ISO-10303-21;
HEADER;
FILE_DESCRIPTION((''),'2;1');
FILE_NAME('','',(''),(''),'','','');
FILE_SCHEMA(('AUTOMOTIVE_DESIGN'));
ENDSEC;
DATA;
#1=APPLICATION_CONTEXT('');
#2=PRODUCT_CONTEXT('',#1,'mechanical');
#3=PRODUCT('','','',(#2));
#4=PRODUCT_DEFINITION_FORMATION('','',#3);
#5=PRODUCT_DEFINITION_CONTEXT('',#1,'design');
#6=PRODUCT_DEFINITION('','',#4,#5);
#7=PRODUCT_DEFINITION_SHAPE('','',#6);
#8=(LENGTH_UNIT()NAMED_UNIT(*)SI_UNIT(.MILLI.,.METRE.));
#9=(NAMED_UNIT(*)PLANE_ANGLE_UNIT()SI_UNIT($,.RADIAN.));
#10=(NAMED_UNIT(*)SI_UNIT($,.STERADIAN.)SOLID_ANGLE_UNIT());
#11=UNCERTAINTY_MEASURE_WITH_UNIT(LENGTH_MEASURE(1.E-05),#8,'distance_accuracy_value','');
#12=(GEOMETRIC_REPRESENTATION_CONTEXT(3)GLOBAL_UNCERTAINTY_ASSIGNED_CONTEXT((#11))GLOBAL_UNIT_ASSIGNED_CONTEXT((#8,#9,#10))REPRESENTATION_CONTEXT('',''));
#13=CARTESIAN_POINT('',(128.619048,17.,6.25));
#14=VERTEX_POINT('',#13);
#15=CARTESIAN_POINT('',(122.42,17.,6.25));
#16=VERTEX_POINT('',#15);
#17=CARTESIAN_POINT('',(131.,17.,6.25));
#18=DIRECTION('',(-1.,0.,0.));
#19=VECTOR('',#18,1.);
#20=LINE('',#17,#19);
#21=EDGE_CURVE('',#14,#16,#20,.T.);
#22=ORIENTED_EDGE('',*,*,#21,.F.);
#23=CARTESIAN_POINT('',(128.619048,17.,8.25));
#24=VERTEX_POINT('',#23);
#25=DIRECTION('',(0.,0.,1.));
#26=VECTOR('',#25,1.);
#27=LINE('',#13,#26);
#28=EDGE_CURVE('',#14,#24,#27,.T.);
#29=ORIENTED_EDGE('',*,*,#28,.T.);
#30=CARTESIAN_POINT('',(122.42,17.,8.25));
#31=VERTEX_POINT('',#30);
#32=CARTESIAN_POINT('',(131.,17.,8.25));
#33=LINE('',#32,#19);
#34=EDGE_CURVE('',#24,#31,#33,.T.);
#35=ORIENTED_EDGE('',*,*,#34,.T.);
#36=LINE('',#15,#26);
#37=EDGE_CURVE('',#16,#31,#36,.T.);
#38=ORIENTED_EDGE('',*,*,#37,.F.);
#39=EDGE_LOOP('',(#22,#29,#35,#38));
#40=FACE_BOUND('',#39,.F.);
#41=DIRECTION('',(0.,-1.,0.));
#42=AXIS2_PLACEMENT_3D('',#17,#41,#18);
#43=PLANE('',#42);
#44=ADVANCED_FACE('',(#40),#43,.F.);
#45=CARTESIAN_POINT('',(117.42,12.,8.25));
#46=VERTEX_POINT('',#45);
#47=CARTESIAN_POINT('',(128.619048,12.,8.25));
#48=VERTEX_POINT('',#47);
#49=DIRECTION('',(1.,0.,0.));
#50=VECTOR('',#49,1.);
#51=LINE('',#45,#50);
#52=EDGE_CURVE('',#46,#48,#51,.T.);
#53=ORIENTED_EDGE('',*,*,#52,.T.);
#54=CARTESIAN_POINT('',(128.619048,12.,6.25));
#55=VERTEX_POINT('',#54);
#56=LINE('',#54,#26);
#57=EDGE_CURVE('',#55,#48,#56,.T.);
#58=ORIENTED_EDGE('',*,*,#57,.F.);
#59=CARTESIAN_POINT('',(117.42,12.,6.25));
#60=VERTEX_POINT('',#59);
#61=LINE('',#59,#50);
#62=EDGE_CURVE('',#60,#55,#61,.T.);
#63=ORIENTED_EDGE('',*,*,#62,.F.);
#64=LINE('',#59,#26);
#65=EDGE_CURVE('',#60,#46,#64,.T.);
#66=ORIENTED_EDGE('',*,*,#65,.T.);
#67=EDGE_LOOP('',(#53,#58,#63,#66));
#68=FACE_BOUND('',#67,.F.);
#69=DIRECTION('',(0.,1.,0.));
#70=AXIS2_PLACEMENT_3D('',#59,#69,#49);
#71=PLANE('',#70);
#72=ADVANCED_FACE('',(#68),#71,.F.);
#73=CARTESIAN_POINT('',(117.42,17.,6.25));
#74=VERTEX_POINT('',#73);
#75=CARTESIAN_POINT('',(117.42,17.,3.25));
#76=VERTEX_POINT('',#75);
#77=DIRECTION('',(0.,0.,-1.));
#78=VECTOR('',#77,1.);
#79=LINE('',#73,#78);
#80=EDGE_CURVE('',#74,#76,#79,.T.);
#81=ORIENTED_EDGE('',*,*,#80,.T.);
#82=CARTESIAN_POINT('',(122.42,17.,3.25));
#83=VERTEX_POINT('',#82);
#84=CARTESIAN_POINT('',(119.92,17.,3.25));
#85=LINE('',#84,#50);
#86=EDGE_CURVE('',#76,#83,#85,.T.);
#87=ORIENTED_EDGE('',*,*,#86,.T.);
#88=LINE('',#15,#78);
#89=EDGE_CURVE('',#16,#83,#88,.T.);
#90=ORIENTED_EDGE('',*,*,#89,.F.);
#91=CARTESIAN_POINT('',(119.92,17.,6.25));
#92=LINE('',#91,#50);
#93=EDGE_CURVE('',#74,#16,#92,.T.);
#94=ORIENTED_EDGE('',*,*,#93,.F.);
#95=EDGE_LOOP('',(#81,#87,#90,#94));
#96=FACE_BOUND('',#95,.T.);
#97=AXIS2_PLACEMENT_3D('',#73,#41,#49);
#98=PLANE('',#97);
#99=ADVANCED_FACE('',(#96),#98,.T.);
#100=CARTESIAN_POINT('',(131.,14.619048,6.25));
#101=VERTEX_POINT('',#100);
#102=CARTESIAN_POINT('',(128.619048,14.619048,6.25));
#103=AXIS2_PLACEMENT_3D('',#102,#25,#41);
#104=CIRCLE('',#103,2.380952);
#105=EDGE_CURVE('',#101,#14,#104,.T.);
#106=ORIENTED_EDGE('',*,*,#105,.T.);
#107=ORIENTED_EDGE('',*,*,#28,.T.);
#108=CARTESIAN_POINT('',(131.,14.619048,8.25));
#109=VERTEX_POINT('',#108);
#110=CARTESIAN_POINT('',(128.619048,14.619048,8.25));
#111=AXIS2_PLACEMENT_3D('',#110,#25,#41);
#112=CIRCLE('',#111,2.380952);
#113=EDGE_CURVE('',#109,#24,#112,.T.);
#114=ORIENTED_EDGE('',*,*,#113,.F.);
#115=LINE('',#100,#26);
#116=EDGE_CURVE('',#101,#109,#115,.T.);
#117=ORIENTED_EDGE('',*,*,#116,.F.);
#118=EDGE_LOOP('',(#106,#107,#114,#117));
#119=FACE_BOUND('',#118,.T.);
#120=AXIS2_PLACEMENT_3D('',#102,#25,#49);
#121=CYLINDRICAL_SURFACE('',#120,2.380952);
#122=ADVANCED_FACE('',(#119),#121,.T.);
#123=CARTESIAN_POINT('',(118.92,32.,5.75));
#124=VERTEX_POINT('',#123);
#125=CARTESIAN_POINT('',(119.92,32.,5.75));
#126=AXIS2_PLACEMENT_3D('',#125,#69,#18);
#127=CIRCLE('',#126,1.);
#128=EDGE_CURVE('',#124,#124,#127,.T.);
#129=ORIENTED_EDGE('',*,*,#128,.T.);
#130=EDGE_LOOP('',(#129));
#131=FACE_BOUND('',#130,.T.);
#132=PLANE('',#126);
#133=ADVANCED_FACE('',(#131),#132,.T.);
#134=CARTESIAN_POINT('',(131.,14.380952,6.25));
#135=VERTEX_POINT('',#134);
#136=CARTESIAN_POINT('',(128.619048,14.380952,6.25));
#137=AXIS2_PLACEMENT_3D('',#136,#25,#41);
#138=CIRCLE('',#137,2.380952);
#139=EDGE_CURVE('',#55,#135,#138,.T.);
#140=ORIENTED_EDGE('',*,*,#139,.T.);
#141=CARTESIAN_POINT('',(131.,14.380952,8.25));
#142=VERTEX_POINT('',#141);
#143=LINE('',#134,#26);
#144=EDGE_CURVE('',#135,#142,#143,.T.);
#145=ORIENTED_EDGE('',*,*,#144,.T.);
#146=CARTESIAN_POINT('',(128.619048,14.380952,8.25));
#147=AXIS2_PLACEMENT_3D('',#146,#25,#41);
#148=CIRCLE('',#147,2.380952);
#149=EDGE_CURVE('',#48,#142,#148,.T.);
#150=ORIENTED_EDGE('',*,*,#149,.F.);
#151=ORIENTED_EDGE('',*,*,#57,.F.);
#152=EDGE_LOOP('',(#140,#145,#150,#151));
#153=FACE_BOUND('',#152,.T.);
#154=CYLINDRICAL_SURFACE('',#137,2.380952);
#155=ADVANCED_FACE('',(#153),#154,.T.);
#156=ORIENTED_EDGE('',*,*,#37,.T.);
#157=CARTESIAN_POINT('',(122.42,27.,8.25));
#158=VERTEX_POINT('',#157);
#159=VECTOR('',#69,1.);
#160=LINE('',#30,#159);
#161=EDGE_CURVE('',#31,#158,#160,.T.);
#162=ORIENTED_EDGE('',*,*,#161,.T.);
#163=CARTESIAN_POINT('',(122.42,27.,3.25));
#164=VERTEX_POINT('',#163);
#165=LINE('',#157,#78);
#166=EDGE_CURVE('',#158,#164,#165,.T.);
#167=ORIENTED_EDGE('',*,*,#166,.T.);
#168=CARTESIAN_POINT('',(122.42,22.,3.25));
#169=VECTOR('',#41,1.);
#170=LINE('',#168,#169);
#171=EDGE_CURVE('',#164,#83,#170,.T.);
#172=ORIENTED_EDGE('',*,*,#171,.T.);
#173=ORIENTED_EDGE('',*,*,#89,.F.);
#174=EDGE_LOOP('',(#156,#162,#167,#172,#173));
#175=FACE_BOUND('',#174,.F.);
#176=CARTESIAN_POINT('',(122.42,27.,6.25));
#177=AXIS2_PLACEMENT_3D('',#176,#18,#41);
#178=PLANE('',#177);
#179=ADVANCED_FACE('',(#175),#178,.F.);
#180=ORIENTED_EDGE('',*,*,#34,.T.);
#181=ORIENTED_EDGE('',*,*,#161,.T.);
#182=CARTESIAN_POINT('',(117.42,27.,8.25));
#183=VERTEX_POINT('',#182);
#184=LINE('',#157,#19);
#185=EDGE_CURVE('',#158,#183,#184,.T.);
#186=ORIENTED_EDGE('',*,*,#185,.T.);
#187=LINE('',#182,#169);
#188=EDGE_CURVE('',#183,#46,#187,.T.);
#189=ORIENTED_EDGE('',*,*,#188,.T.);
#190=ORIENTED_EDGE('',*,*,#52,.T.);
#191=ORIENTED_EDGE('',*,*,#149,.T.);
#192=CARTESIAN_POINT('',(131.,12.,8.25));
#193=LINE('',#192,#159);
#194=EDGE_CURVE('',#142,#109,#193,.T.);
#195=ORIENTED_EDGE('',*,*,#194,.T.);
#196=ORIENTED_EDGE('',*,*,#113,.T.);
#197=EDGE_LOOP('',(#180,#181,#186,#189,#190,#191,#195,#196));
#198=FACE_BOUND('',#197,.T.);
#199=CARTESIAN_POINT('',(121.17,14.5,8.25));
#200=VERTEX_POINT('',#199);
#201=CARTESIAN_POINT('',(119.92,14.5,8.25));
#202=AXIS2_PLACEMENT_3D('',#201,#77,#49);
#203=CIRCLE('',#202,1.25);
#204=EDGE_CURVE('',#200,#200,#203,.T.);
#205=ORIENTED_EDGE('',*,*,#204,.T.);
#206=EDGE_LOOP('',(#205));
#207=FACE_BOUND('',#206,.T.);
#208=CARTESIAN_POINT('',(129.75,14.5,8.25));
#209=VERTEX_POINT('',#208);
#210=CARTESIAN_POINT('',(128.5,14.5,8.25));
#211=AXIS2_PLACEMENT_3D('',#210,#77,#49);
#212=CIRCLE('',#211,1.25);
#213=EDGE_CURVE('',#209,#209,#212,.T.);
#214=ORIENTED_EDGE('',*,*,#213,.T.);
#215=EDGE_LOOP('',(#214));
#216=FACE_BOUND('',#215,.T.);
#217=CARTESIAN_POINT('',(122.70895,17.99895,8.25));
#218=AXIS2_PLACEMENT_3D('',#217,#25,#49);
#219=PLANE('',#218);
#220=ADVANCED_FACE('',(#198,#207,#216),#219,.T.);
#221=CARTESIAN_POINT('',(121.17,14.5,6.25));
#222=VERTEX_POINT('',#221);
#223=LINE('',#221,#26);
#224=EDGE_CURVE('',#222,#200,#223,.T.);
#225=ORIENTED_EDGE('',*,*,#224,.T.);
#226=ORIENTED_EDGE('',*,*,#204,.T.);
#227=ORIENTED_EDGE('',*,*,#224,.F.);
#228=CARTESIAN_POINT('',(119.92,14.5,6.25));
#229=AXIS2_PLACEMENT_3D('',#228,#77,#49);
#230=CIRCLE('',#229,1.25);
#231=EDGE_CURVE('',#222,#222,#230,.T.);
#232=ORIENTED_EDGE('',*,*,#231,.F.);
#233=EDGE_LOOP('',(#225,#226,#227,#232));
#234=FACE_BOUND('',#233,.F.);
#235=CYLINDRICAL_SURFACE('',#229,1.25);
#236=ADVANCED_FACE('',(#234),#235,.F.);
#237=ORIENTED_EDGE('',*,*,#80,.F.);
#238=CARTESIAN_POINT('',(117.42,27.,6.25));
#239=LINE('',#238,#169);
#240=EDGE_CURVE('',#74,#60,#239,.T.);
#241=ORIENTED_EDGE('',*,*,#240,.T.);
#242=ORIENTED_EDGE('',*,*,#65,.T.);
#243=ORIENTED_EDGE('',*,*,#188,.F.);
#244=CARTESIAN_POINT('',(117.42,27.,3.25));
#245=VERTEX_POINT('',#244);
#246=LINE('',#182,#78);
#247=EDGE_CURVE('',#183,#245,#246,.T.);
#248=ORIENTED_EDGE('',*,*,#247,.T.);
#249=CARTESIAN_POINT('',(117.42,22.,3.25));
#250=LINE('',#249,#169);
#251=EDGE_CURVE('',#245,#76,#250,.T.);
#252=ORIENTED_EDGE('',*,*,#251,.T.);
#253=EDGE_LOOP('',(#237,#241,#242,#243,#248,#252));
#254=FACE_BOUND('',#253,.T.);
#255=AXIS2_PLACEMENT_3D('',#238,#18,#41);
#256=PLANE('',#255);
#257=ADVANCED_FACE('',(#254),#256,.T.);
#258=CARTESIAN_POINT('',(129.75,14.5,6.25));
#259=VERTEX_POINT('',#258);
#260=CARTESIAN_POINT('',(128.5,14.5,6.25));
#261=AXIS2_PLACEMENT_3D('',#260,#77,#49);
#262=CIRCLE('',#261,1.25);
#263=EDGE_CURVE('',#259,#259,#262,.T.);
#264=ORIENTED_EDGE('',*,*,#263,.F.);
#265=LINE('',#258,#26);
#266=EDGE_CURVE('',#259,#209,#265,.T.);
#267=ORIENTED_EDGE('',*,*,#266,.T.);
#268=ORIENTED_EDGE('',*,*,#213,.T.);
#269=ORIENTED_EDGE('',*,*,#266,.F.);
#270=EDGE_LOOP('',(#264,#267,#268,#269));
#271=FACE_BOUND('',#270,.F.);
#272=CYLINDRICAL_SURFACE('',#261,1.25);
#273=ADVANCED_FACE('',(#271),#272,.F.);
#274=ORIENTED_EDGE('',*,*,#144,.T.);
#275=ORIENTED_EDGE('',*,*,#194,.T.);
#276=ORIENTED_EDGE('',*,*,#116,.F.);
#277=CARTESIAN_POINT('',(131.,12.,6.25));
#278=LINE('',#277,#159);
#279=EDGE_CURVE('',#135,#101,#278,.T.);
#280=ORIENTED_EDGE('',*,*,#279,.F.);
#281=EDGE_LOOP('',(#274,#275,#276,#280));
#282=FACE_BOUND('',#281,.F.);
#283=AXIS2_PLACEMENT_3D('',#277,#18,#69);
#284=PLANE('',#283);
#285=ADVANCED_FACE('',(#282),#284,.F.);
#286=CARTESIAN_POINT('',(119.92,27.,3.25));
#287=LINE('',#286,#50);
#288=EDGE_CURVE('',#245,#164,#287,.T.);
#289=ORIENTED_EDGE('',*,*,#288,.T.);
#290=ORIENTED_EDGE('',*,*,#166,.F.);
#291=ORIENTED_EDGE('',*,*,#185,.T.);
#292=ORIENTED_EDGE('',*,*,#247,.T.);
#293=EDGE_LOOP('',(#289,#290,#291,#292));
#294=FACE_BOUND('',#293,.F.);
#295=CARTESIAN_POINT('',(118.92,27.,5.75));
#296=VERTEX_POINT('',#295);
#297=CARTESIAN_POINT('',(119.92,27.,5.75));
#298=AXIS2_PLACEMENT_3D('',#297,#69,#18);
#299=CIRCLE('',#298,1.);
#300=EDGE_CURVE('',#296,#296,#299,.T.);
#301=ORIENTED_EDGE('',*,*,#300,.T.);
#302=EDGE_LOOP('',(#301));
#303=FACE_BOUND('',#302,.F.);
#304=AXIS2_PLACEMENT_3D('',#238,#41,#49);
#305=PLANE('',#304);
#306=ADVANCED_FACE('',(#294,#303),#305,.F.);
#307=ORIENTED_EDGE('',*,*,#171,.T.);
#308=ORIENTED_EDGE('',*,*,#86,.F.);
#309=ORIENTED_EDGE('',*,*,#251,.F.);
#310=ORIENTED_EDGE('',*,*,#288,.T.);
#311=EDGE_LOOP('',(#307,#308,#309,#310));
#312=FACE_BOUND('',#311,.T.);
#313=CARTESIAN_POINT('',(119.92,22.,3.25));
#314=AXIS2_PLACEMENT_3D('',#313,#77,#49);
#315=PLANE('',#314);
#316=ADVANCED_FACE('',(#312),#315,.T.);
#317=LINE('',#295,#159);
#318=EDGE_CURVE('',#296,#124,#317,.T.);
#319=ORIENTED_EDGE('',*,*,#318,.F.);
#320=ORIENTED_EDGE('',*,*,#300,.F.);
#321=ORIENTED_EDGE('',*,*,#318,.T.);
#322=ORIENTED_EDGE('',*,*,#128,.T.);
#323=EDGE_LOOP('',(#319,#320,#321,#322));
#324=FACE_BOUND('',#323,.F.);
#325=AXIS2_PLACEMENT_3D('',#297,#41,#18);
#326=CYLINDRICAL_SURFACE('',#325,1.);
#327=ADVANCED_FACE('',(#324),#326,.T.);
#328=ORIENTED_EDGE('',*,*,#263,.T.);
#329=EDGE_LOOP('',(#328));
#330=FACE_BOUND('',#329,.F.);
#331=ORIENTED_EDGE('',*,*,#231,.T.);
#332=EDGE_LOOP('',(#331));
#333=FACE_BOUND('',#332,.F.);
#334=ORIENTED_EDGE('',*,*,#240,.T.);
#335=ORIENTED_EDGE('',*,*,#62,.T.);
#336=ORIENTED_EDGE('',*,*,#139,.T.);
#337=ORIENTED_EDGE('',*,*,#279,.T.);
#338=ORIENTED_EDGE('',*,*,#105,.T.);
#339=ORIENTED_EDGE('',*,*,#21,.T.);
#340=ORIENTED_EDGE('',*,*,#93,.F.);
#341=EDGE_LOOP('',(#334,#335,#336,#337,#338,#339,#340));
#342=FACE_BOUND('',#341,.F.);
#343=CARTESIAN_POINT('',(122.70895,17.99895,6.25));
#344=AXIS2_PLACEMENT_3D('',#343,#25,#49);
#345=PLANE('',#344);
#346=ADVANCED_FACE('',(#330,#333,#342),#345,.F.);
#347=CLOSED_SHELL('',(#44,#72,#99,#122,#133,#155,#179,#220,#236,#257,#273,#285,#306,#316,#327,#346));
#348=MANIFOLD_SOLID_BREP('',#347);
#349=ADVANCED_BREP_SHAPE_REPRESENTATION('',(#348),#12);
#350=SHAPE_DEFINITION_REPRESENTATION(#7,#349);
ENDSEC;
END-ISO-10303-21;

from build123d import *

# Parameters (mm, degrees)
PAD025_DEPTH    = 2
FILLET003_R     = 2.380952
SKETCH049_R     = 1.25
POCKET014_DEPTH = 2
SKETCH050_W     = 5
SKETCH050_H     = 10
PAD026_DEPTH    = 3
SKETCH051_R     = 1
PAD027_DEPTH    = 5


with BuildPart() as part:
    # Sketch048 → Pad025 (new body)
    with BuildSketch(Plane.XY):
        Polygon((-2.5, -2.5), (11.08, -2.5), (11.08, 2.5), (2.5, 2.5), (2.5, 12.5), (-2.5, 12.5), align=None)
    extrude(amount=PAD025_DEPTH)

    # Fillet003
    fillet003_edges = [part.edges().sort_by_distance(p)[0] for p in [
        (11.08, 2.5, 1),
        (11.08, -2.5, 1),
    ]]
    fillet(fillet003_edges, radius=FILLET003_R)

    # Sketch049 (on Face2 of Fillet003) → Pocket014 (cut)
    with BuildSketch(Plane(origin=(0, 0, 0), x_dir=(1, 0, 0), z_dir=(0, 0, -1))):
        Circle(SKETCH049_R)
        with Locations((8.58, 0)):
            Circle(SKETCH049_R)
    extrude(amount=-POCKET014_DEPTH, mode=Mode.SUBTRACT)

    # Sketch050 (on Face2 of Fillet003) → Pad026 (join)
    with BuildSketch(Plane(origin=(0, 0, 0), x_dir=(1, 0, 0), z_dir=(0, 0, -1))):
        with Locations((0, -7.5)):
            Rectangle(SKETCH050_W, SKETCH050_H)
    extrude(amount=PAD026_DEPTH)

    # Sketch051 (on Face12 of Pad026) → Pad027 (join)
    with BuildSketch(Plane(origin=(0, 12.5, 0), x_dir=(-1, 0, 0), z_dir=(0, 1, 0))):
        with Locations((0, -0.5)):
            Circle(SKETCH051_R)
    extrude(amount=PAD027_DEPTH)


with BuildPart() as part_1:
    # Body010 placement: moved
    add(part.part.moved(Location((119.92, 14.5, 6.25))))


solid = part_1.part
